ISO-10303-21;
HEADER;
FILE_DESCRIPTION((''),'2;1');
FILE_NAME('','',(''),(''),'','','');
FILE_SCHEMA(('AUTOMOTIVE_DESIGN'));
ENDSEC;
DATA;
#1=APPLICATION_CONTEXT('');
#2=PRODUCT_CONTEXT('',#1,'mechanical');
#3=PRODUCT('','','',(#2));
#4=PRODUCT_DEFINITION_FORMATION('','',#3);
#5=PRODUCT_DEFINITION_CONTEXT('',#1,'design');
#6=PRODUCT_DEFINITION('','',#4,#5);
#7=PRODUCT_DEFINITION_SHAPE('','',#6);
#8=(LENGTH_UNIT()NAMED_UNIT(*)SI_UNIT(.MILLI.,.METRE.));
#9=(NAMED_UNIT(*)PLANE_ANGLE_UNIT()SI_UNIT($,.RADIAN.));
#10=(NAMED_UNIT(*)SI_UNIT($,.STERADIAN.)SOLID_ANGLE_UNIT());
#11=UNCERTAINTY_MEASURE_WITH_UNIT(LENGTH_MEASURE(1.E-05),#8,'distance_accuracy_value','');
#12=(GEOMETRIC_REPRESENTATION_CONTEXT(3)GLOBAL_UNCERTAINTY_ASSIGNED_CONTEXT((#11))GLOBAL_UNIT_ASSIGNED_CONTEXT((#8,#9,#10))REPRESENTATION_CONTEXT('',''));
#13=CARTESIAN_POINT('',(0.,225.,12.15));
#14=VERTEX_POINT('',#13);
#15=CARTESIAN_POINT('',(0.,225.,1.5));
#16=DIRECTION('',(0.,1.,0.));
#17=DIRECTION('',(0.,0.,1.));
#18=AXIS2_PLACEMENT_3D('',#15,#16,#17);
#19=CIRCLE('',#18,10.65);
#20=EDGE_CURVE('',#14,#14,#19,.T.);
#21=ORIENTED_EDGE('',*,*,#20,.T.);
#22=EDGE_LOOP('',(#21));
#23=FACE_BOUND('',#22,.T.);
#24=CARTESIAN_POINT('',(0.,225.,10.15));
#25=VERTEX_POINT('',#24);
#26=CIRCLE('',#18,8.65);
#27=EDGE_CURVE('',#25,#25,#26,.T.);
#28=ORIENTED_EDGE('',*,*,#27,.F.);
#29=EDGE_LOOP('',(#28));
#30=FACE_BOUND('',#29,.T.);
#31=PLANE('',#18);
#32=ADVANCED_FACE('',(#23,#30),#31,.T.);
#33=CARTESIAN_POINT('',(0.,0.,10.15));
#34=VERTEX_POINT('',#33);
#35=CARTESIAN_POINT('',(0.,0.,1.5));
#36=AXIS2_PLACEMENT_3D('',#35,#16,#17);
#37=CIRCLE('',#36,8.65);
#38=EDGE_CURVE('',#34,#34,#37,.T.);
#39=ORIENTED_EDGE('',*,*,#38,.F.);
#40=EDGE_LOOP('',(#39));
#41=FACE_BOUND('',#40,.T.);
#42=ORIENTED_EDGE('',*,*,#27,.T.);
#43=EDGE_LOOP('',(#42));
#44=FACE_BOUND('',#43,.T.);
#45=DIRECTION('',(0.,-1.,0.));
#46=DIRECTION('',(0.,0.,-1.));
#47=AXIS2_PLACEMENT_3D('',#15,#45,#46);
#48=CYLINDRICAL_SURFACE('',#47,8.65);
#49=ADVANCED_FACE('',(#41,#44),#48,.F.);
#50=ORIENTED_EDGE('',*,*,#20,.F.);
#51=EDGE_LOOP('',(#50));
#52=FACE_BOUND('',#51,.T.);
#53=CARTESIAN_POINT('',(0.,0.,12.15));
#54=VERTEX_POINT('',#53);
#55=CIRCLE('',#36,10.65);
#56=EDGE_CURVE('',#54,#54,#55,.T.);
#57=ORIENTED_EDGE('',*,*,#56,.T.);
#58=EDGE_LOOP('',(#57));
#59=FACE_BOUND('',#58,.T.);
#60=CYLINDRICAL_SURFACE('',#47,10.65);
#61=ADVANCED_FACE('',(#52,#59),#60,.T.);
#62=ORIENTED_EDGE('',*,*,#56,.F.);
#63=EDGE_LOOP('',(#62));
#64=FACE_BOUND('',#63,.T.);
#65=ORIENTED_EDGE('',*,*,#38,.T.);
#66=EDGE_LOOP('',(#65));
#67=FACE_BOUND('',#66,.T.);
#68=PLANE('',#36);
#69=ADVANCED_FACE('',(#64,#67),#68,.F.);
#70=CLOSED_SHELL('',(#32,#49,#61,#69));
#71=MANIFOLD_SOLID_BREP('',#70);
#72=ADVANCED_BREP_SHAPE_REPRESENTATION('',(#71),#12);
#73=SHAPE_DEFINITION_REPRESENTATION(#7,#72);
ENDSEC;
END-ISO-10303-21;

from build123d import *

# Parameters (mm, degrees)
SKETCH_1_R      = 10.65
SKETCH_1_R_2    = 8.65
EXTRUDE_1_DEPTH = 225


with BuildPart() as part:
    # Эскиз1 → Бобышка-Вытянуть1 (new body)
    with BuildSketch(Plane(origin=(0, 0, 0), x_dir=(1, 0, 0), z_dir=(0, 1, 0))):
        with Locations(Location((0, -1.5, 0), (0, 0, 270))):
            Circle(SKETCH_1_R)
        with Locations(Location((0, -1.5, 0), (0, 0, 270))):
            Circle(SKETCH_1_R_2, mode=Mode.SUBTRACT)
    extrude(amount=EXTRUDE_1_DEPTH)


solid = part.part
